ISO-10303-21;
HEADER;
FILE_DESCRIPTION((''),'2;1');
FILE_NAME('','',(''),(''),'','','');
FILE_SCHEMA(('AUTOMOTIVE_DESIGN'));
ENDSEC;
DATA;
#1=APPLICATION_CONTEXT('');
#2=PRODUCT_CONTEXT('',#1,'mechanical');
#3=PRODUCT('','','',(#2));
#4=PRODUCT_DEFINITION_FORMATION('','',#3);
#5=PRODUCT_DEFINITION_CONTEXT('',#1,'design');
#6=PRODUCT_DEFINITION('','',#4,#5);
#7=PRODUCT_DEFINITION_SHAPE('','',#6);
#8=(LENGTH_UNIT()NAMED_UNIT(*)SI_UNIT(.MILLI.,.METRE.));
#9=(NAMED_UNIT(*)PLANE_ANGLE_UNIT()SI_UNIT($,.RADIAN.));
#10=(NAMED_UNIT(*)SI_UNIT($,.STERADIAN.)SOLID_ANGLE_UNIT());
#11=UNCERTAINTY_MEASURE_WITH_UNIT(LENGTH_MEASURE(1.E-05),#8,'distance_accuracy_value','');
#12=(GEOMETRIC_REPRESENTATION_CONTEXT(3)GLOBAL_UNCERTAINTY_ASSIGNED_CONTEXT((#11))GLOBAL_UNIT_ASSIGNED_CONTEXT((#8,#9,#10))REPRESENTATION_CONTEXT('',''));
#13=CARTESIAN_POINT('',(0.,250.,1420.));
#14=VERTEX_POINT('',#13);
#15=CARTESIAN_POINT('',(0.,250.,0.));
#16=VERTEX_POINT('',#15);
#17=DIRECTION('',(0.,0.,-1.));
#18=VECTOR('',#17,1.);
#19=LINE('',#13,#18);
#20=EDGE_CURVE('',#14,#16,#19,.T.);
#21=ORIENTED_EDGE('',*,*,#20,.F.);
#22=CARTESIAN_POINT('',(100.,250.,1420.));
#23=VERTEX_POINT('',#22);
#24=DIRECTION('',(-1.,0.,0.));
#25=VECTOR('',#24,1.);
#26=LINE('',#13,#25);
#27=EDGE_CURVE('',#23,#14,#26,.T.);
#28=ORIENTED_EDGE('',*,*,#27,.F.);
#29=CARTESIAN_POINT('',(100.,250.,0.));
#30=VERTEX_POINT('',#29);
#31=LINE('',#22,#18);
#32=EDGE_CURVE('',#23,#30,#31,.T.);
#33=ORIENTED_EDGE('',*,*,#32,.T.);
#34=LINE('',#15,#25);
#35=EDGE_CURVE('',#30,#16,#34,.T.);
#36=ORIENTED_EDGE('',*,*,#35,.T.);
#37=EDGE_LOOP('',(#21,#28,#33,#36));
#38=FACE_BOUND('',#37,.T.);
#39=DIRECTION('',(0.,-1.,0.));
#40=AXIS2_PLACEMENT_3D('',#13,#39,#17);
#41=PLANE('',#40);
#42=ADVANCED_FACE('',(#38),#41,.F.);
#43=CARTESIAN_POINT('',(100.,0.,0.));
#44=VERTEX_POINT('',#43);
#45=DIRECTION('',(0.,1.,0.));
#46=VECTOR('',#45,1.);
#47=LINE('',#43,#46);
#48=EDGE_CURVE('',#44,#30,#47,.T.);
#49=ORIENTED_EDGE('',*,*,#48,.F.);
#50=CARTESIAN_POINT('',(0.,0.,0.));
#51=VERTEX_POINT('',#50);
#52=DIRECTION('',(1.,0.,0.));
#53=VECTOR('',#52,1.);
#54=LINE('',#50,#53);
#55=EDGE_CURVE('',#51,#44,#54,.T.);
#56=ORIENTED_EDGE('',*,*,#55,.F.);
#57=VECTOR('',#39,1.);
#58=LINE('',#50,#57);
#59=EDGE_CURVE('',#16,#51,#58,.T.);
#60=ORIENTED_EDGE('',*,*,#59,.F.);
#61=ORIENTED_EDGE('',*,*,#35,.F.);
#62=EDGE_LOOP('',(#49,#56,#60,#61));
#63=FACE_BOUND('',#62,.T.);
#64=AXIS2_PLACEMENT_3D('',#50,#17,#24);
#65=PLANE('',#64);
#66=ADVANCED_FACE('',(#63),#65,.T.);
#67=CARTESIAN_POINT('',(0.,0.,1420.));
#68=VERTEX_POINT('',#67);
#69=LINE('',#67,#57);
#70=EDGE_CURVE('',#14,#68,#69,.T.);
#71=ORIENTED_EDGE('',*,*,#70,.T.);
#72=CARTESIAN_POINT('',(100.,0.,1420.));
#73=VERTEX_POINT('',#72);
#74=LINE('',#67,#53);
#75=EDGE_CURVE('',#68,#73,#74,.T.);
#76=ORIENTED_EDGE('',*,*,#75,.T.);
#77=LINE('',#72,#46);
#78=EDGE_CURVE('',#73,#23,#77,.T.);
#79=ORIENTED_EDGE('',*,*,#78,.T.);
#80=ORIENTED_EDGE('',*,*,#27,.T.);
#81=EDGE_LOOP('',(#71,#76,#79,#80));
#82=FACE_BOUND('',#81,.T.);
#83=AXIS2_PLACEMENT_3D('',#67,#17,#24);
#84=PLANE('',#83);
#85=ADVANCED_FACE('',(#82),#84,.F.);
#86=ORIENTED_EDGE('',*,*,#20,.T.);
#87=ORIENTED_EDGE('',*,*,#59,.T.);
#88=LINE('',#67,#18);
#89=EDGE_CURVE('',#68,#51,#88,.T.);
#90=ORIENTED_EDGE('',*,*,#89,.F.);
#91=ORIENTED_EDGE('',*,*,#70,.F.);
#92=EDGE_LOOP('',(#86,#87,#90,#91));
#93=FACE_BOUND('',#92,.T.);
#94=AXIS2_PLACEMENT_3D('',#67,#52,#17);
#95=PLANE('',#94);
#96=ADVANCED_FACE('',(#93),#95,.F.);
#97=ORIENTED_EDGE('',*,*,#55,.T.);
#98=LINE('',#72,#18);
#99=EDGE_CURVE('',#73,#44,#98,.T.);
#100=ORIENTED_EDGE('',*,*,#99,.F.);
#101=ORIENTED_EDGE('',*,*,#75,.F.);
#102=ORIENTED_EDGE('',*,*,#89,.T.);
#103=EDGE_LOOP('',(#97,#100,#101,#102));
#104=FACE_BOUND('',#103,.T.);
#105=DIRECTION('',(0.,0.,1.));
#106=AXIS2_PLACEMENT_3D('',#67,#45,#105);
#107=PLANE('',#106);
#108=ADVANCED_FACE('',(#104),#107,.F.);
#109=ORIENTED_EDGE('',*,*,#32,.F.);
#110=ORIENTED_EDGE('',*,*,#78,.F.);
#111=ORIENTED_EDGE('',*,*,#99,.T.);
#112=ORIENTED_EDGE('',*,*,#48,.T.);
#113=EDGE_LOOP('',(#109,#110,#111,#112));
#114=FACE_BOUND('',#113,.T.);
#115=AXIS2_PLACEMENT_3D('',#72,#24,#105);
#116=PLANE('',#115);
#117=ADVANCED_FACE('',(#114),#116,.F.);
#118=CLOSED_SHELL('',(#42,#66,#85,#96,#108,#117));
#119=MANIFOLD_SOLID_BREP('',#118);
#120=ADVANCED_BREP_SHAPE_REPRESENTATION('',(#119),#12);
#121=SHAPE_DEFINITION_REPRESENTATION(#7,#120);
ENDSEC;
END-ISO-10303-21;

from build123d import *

# Parameters (mm, degrees)
SKETCH1_W           = 100
SKETCH1_H           = 250
BOSS_EXTRUDE1_DEPTH = 1420


with BuildPart() as part:
    # Sketch1 → Boss-Extrude1 (new body)
    with BuildSketch(Plane.XY):
        with Locations((50, 125)):
            Rectangle(SKETCH1_W, SKETCH1_H)
    extrude(amount=BOSS_EXTRUDE1_DEPTH)


solid = part.part
